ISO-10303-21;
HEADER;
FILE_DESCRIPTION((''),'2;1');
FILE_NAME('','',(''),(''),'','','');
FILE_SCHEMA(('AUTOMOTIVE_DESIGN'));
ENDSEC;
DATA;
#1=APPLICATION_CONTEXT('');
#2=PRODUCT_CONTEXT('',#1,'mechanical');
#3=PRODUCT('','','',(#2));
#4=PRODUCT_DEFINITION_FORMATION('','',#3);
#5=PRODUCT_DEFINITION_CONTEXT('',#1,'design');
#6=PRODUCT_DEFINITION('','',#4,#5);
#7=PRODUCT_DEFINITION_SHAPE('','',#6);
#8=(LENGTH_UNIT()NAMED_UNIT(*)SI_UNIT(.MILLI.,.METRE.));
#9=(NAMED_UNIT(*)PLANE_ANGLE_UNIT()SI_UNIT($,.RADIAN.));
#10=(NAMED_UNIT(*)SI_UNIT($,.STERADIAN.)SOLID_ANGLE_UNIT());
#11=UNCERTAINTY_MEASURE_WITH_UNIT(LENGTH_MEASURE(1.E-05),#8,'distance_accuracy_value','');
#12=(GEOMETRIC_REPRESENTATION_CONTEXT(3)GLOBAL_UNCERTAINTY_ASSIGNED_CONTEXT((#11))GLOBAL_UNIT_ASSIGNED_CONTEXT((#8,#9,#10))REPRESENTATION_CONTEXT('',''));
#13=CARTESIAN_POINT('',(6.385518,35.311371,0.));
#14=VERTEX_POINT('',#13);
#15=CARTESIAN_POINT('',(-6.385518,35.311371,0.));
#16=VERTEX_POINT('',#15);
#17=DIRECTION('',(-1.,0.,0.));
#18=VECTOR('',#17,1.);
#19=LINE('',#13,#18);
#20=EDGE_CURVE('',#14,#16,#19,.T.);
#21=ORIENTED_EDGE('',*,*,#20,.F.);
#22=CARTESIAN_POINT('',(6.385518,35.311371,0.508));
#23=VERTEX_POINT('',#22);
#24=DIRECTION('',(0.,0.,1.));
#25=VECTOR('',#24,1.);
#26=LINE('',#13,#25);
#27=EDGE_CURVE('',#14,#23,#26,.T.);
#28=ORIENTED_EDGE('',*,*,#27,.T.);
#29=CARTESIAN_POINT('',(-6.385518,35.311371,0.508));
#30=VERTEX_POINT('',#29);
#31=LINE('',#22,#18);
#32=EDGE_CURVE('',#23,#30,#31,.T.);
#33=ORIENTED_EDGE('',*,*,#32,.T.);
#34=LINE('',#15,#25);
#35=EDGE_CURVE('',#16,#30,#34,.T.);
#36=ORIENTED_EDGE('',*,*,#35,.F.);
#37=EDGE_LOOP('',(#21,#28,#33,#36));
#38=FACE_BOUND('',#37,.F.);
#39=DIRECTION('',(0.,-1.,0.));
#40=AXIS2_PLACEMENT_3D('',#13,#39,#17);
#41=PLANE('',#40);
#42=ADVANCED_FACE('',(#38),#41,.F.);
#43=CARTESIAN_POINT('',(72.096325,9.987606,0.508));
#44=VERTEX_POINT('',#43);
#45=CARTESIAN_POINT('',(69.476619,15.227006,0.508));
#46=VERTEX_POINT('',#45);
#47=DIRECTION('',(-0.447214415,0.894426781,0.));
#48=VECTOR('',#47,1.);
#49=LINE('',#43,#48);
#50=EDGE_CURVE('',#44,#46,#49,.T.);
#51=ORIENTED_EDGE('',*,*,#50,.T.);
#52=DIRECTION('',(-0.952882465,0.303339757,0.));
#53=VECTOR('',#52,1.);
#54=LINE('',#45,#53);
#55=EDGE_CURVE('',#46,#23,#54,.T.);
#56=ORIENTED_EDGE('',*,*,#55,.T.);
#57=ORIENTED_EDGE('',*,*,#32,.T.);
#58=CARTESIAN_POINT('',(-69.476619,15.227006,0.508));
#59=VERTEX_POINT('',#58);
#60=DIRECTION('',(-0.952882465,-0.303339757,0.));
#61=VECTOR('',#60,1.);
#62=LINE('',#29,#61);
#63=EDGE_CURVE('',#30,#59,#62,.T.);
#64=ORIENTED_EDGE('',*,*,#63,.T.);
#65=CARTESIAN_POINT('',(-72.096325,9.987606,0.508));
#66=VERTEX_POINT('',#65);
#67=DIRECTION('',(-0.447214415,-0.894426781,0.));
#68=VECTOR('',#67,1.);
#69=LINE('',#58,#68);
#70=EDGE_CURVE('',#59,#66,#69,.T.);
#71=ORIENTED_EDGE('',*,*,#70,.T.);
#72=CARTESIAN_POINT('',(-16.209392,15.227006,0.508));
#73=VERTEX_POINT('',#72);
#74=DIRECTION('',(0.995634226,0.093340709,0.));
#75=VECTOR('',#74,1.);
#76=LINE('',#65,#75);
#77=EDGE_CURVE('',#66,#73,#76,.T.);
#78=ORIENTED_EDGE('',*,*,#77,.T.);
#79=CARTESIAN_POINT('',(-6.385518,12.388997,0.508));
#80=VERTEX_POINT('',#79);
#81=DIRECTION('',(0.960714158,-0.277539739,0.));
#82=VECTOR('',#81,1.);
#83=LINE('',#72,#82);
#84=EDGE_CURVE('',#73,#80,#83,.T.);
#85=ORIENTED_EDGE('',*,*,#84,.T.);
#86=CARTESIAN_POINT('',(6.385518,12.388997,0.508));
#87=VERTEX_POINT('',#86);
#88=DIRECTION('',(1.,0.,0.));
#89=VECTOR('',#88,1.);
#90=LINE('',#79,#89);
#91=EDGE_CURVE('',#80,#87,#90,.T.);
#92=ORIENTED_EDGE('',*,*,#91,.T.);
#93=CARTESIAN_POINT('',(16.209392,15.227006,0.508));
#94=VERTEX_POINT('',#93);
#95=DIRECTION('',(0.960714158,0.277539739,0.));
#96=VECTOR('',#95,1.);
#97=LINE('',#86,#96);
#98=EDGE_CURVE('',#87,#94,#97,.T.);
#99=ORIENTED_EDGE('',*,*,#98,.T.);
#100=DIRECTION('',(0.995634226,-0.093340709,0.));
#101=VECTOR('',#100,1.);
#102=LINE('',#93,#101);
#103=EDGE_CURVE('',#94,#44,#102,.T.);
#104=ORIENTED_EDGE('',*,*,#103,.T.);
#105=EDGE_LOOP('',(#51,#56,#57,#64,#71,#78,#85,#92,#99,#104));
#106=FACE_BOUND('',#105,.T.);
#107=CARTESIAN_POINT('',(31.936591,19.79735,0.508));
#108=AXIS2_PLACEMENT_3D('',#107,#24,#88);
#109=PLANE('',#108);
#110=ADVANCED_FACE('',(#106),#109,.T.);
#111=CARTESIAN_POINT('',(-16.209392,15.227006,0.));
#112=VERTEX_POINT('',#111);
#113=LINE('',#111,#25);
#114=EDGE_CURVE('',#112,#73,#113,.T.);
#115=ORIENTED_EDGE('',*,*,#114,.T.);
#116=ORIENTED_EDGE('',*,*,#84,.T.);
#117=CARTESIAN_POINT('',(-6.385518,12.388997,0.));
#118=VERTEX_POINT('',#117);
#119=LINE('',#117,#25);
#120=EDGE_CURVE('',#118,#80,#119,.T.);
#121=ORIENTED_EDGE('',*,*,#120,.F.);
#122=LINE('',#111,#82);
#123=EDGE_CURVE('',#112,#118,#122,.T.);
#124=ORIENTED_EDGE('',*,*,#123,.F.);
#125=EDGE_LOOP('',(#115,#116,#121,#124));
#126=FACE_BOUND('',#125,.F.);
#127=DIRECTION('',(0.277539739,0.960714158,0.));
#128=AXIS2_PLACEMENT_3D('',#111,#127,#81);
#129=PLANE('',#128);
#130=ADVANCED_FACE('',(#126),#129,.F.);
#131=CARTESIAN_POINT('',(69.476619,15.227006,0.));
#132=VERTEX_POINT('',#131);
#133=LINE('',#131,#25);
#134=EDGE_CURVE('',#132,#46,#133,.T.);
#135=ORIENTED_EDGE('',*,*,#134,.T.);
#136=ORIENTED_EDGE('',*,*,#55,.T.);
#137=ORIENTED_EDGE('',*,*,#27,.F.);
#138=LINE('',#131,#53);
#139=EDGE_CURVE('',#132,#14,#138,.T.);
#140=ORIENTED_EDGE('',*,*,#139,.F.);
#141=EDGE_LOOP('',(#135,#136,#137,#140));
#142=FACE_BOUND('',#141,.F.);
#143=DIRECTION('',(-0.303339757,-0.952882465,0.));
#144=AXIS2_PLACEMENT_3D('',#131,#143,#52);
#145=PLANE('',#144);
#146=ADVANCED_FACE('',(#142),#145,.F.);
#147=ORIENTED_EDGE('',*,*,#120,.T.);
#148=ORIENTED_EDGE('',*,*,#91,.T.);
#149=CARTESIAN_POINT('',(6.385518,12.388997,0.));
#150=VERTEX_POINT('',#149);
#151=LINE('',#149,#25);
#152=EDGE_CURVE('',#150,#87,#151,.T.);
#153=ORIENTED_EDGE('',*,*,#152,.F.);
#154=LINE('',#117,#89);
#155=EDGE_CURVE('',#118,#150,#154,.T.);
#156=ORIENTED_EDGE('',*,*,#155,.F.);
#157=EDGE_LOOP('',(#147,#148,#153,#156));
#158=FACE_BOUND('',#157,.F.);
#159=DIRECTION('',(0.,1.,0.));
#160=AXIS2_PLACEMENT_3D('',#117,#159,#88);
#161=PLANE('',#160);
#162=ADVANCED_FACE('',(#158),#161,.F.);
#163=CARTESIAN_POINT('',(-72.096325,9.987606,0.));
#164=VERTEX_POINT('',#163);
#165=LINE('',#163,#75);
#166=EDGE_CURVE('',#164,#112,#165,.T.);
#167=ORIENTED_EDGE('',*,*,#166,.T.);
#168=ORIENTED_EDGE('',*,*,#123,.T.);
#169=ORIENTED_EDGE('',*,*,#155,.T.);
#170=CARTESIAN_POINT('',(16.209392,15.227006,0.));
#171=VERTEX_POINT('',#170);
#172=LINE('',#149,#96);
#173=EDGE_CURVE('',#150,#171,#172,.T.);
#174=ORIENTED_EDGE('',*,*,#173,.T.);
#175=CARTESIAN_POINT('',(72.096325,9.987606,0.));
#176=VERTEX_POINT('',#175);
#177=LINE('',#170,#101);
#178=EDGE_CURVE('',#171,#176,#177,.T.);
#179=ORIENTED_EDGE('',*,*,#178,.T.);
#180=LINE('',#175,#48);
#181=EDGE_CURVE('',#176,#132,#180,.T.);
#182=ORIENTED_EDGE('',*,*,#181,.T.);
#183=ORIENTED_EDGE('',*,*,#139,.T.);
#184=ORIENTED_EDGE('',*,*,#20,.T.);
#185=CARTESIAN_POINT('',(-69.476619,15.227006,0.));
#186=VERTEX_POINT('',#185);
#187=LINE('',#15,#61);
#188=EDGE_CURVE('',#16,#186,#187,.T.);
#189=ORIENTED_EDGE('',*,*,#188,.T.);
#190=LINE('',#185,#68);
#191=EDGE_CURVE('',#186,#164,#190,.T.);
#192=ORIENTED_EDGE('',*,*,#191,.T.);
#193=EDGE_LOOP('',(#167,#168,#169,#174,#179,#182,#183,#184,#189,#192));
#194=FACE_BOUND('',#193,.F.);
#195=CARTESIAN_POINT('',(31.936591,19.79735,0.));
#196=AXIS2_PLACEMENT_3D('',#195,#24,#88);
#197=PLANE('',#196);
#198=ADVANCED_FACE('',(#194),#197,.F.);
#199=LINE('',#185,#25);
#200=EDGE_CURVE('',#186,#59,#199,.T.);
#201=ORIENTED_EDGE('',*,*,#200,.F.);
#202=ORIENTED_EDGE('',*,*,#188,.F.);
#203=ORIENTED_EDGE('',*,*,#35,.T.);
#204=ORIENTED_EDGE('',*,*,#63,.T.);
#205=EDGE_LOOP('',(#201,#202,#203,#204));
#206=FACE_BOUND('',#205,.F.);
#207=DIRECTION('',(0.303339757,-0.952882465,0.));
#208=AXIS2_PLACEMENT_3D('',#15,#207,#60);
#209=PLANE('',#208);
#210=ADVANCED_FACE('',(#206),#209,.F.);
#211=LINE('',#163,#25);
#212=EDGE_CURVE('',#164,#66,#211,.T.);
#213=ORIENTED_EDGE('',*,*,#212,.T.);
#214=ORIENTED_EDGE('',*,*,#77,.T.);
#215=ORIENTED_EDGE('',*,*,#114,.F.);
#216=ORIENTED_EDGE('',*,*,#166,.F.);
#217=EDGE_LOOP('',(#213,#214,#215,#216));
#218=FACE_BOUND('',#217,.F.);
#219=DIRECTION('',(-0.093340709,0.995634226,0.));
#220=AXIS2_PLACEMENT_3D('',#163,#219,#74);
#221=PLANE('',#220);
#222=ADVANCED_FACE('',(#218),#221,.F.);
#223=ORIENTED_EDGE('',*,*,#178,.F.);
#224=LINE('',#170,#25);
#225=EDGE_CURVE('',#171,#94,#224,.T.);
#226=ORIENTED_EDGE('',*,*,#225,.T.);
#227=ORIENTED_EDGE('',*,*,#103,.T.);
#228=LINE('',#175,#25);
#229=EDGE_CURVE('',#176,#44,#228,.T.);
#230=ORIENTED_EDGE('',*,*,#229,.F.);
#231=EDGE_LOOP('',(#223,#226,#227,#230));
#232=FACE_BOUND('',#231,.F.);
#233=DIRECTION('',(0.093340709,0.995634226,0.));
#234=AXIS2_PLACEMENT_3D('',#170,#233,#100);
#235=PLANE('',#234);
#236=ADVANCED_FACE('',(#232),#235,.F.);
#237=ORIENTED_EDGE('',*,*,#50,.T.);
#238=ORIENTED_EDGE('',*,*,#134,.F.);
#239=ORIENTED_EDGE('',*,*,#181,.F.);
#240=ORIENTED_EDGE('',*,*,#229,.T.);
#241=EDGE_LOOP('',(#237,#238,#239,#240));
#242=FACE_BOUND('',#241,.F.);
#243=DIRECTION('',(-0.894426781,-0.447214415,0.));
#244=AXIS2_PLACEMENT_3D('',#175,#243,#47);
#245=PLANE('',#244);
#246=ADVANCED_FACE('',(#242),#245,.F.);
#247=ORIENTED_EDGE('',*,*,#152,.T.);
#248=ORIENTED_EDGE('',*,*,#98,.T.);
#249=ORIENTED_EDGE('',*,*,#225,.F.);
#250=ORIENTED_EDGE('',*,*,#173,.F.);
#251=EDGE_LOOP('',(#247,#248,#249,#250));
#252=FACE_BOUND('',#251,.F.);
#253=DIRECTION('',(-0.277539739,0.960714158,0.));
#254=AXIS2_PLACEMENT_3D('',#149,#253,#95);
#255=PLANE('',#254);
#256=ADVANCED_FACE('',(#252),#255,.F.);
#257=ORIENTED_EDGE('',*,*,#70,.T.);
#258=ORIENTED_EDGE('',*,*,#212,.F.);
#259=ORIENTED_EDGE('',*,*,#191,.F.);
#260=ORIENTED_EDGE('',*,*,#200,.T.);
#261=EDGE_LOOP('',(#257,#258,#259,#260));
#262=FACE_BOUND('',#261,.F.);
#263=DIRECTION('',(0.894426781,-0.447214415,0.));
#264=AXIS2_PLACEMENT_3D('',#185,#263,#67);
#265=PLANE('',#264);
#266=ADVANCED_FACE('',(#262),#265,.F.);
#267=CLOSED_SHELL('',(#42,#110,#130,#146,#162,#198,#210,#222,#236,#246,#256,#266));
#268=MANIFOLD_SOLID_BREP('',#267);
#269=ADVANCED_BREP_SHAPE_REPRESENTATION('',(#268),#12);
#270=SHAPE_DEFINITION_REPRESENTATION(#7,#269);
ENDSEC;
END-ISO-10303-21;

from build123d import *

# Parameters (mm, degrees)
F1_DEPTH = 0.508


with BuildPart() as f1:
    # F0 (on Top) → F1 (new body)
    with BuildSketch(Plane.XY):
        Polygon((5.403131, 35.311371), (0, 35.311371), (0, 12.388997), (6.385518, 12.388997), (16.209392, 15.227006), (72.096325, 9.987606), (69.476619, 15.227006), (6.385518, 35.311371), align=None)
        Polygon((0, 35.311371), (-5.403131, 35.311371), (-6.385518, 35.311371), (-69.476619, 15.227006), (-72.096325, 9.987606), (-16.209392, 15.227006), (-6.385518, 12.388997), (0, 12.388997), align=None)
    extrude(amount=F1_DEPTH)


solid = f1.part
